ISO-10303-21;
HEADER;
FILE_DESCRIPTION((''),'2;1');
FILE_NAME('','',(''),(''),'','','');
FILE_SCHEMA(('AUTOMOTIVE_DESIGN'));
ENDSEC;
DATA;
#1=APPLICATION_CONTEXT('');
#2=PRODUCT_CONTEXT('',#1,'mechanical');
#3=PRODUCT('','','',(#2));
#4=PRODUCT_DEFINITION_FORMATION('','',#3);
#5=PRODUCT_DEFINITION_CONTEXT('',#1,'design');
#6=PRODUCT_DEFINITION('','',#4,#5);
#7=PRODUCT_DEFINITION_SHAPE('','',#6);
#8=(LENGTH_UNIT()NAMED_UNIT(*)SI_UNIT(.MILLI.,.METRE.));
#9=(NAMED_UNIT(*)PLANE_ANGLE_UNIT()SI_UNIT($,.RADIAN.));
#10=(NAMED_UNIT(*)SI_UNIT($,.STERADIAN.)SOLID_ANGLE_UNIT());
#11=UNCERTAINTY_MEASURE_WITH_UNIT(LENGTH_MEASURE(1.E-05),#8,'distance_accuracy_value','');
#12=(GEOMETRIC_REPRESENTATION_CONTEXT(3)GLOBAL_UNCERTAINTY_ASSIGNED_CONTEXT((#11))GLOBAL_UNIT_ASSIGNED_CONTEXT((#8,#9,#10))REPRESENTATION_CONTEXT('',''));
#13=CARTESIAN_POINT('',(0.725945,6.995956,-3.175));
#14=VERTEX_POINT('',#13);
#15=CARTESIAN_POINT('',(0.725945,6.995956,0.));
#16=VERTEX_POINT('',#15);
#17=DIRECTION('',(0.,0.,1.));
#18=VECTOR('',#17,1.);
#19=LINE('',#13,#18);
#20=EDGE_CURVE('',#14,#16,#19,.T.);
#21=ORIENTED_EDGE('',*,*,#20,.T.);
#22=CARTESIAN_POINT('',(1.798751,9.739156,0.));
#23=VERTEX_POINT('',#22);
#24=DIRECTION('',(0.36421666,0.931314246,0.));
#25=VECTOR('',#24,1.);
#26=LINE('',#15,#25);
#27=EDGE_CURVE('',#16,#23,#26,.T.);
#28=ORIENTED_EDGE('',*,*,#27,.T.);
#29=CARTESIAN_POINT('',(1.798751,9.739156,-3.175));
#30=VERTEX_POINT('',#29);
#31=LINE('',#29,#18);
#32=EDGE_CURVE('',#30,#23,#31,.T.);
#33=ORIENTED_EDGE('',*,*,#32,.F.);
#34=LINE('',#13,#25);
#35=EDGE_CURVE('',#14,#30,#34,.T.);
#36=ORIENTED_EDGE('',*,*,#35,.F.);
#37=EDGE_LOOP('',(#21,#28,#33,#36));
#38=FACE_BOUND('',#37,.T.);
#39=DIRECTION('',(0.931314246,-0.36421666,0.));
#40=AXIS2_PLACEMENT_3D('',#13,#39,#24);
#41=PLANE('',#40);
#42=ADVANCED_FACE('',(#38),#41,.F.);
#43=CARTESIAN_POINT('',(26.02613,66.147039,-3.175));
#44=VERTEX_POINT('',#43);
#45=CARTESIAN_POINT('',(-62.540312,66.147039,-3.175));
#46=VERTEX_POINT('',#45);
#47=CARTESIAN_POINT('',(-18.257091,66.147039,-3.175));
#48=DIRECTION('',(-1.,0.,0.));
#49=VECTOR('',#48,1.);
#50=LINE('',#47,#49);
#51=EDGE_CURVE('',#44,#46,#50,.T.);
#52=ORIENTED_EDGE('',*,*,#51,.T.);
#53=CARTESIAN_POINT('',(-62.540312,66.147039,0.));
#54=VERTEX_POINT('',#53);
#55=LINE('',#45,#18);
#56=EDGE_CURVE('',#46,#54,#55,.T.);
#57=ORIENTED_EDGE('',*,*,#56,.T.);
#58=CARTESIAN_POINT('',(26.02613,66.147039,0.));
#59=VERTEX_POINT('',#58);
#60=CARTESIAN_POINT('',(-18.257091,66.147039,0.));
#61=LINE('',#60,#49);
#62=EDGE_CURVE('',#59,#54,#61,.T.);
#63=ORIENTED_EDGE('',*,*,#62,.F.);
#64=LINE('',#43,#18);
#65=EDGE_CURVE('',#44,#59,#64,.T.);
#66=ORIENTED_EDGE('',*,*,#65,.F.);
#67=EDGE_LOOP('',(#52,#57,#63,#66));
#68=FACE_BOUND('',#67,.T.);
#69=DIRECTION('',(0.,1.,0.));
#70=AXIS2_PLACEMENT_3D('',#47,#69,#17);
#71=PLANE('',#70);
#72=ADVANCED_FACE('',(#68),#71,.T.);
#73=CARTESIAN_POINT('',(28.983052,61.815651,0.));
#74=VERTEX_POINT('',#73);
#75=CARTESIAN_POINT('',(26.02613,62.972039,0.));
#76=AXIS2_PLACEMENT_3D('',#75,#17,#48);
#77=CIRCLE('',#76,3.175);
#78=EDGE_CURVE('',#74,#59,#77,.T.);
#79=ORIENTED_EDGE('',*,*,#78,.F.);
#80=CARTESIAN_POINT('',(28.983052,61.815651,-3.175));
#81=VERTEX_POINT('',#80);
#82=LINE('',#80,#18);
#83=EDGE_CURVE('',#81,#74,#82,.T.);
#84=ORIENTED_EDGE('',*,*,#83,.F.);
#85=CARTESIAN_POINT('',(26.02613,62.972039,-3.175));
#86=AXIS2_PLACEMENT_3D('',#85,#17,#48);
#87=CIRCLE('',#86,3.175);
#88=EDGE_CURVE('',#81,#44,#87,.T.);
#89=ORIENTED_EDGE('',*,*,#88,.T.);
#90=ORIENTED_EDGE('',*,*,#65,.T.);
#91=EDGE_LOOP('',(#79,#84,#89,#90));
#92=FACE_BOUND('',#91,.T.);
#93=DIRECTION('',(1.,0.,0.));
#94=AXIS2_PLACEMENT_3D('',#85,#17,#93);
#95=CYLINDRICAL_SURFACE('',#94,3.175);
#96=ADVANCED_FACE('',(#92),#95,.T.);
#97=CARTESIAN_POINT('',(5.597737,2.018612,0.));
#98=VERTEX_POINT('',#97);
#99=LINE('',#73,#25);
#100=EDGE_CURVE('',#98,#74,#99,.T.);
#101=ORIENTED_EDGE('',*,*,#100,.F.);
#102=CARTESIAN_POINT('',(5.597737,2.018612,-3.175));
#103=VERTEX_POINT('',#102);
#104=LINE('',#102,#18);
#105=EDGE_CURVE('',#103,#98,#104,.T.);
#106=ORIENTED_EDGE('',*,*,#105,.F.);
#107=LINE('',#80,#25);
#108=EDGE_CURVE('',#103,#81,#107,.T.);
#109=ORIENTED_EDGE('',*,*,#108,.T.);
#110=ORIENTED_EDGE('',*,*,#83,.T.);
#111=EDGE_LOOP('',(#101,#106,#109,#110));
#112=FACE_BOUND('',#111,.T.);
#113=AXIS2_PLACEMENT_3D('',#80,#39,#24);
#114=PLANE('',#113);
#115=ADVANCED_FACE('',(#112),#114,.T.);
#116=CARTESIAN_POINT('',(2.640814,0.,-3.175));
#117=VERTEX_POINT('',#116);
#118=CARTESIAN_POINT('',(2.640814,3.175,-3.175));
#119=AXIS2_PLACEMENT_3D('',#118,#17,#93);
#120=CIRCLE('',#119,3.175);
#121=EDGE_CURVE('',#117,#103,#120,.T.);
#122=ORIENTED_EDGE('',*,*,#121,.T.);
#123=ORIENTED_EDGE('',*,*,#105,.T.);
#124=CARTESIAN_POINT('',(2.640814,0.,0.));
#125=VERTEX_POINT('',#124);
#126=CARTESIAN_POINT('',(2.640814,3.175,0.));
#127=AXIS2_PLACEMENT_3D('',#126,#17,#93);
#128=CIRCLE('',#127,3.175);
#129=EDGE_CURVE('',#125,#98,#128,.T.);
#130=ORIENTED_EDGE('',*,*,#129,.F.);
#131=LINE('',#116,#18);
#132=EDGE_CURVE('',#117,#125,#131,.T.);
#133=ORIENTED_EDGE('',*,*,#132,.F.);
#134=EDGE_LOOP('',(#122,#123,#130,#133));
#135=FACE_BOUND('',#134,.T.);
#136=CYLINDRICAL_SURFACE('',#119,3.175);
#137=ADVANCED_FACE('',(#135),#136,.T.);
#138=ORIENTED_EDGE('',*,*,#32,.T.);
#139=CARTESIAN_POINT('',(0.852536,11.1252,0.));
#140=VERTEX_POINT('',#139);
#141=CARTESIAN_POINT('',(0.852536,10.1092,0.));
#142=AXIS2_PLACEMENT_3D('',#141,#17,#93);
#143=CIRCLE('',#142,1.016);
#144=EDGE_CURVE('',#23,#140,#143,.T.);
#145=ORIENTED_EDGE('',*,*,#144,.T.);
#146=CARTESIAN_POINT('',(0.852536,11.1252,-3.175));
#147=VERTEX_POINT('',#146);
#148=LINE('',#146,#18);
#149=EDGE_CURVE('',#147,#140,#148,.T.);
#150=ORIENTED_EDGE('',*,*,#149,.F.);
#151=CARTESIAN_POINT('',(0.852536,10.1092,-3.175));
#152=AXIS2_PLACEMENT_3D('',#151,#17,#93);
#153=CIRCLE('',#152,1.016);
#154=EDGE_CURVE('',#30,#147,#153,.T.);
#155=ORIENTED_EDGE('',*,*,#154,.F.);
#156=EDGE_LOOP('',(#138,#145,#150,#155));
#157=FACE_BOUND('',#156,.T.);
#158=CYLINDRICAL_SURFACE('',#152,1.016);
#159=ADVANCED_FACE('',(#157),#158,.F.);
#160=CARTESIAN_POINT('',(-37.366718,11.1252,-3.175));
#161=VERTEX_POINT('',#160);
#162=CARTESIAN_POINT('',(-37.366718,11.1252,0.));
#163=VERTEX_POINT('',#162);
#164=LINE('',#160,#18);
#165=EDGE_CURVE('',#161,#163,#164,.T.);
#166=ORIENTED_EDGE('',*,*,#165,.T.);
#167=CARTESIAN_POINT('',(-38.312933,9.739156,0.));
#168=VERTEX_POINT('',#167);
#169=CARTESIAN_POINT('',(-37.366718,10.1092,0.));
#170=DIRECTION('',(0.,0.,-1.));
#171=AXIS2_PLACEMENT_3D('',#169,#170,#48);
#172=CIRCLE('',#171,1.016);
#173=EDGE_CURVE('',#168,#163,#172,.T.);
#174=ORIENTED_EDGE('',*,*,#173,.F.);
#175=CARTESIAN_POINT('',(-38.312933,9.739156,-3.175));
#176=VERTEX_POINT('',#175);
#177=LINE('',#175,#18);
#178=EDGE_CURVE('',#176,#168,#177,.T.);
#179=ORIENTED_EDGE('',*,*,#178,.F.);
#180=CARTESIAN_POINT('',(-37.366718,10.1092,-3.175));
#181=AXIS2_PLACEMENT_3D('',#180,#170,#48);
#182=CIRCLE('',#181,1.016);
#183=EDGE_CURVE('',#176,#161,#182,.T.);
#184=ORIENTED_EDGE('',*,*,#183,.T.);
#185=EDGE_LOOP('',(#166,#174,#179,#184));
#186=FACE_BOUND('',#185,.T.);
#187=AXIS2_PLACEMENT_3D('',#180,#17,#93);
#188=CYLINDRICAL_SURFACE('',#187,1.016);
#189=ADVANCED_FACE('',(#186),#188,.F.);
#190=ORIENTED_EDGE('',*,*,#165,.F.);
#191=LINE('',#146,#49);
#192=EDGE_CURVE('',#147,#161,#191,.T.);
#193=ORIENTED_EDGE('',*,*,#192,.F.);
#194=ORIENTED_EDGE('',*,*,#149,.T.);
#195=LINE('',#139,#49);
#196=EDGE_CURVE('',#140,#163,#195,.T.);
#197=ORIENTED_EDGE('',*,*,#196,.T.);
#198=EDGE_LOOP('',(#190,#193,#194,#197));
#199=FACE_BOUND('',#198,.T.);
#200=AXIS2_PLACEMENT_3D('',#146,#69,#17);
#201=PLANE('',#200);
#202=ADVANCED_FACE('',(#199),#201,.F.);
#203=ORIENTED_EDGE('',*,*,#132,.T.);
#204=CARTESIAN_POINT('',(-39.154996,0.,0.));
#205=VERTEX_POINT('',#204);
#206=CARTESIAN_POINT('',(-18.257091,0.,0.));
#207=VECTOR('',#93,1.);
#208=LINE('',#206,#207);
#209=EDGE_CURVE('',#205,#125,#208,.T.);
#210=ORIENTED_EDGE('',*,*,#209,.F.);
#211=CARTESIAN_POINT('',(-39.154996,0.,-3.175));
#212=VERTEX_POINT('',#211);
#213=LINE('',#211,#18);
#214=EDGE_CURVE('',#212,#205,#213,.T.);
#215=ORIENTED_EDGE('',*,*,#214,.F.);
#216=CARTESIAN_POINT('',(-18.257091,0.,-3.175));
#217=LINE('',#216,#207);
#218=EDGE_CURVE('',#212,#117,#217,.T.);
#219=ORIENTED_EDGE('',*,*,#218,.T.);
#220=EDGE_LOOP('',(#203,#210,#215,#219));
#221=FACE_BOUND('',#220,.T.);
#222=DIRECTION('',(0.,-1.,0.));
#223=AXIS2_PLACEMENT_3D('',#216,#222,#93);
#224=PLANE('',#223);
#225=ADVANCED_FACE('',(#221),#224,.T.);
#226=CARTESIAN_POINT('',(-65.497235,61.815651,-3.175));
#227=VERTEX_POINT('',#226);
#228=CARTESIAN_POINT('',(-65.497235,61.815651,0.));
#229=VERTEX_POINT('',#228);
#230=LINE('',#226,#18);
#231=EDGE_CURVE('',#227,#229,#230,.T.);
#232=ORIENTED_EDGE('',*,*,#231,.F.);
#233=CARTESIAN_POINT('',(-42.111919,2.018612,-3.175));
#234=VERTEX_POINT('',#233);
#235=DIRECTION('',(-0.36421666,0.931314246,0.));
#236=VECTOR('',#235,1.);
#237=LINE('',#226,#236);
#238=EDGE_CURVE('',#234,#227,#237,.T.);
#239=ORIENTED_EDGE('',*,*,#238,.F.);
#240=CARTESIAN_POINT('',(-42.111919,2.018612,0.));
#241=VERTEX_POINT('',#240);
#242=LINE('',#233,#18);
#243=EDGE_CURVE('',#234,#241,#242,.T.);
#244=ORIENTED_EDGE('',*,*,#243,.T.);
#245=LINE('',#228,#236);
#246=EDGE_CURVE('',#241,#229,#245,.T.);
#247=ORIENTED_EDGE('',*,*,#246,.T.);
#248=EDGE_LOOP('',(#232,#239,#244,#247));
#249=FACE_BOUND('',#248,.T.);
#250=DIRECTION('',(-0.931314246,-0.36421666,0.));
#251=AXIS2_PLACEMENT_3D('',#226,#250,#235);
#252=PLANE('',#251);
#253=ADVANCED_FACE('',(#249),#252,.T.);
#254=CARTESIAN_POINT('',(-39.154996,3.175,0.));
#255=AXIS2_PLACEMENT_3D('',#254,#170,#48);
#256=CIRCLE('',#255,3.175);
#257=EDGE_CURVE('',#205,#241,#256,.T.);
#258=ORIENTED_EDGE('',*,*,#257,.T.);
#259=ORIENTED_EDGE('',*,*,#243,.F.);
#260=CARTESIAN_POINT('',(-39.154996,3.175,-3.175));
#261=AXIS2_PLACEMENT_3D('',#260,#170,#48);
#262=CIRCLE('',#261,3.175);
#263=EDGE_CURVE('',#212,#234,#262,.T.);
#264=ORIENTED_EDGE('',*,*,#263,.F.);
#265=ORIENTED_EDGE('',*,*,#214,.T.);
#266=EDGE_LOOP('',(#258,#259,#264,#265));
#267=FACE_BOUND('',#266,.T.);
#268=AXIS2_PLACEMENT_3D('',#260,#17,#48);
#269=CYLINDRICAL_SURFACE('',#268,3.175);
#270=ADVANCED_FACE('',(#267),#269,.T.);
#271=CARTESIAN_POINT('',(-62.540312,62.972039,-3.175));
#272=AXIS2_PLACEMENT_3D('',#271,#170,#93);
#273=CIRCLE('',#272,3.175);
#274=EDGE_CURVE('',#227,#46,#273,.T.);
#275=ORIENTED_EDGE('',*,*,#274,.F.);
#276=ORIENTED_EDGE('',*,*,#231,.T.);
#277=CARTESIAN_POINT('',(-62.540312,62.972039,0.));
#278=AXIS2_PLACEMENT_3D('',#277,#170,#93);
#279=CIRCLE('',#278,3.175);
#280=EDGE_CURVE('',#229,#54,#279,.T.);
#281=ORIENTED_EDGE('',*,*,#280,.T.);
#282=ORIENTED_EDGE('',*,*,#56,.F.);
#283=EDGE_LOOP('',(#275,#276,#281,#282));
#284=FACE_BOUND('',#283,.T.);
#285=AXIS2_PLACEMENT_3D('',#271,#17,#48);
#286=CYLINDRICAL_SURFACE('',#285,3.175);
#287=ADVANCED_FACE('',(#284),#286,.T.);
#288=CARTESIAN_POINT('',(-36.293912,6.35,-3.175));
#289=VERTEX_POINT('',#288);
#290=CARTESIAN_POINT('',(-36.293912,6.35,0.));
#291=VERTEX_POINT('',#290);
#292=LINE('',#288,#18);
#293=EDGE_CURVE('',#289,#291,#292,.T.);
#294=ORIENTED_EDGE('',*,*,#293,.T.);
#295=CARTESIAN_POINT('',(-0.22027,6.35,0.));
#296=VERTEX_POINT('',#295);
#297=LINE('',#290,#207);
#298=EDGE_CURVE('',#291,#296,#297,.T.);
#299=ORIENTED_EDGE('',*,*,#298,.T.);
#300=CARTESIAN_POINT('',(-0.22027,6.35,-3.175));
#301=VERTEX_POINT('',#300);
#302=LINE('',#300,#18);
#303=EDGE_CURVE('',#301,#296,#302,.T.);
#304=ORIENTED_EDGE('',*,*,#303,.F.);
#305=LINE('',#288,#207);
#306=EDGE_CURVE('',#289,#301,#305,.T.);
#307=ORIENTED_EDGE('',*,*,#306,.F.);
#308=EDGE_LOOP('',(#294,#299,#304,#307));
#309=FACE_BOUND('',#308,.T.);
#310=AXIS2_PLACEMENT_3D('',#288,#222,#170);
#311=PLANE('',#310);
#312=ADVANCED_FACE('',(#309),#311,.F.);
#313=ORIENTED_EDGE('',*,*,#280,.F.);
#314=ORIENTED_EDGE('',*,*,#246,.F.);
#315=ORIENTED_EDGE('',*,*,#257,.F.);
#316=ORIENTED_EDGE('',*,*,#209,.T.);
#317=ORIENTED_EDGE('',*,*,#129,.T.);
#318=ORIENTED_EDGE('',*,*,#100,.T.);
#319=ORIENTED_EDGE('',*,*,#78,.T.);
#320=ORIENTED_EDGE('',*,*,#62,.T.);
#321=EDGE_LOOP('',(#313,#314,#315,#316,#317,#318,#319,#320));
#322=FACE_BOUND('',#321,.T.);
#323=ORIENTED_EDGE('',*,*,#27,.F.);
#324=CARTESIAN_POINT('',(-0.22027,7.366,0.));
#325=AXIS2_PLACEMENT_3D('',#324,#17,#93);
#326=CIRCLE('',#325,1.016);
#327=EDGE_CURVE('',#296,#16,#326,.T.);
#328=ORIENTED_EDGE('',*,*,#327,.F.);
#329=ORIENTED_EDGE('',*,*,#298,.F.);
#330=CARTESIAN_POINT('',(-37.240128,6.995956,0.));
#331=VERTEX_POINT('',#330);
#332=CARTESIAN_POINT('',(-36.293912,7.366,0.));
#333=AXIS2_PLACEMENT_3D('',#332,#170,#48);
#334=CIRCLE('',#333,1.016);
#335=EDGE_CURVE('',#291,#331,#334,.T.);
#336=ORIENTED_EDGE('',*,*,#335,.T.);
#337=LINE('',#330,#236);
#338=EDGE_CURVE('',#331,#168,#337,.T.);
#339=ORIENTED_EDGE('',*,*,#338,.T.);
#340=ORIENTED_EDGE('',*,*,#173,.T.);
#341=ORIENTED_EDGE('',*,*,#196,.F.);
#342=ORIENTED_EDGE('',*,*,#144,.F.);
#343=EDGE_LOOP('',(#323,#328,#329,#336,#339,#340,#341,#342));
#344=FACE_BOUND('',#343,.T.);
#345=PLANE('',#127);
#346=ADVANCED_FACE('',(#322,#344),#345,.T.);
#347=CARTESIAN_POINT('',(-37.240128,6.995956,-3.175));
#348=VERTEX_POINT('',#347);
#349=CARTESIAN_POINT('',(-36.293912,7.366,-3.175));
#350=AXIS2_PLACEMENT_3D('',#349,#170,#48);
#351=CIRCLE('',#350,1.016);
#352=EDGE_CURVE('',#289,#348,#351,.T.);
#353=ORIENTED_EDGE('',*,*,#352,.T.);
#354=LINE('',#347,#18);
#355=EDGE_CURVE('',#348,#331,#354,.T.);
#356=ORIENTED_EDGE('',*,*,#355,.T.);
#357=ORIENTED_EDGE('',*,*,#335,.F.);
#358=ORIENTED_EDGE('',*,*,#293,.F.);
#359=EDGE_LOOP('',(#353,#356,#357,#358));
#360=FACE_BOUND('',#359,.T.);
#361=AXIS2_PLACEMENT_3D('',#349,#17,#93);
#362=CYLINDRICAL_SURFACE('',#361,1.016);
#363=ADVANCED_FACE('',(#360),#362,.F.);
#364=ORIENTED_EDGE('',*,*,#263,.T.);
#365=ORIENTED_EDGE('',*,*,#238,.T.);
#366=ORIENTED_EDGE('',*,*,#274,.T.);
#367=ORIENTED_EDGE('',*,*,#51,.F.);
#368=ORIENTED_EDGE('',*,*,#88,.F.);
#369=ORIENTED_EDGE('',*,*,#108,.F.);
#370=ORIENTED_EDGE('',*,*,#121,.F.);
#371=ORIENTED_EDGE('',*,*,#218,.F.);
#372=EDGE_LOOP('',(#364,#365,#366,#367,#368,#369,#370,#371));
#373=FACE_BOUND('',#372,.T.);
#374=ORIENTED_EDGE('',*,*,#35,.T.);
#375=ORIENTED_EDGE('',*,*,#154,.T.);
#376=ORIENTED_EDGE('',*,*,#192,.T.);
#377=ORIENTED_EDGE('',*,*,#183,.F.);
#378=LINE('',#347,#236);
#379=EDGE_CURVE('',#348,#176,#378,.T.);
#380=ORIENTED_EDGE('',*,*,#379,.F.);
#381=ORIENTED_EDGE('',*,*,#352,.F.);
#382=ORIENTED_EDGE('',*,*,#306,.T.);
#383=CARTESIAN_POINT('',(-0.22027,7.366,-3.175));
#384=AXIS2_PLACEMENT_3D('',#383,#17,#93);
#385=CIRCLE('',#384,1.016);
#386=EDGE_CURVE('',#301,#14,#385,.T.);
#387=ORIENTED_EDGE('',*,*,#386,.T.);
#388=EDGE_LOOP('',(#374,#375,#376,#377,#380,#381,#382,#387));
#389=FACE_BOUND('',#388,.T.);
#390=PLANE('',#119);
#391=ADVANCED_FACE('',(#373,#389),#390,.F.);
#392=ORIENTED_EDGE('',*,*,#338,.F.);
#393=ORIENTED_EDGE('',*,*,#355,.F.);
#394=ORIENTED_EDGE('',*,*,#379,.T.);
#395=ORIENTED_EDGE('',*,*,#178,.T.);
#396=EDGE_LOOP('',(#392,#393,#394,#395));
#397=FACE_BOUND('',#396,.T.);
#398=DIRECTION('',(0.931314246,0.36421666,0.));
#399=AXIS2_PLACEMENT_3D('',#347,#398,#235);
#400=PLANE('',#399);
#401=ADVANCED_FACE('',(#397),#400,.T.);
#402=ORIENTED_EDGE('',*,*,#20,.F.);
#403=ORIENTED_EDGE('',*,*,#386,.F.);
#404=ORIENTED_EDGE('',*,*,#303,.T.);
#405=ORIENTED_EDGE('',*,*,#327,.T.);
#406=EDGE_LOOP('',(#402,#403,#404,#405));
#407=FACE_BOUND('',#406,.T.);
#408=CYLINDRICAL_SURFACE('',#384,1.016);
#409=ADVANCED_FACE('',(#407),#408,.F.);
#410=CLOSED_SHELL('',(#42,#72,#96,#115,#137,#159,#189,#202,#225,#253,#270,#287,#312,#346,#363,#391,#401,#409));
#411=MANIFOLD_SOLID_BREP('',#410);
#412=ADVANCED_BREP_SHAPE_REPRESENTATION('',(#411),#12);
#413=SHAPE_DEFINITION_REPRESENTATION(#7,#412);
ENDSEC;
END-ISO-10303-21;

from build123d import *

# Parameters (mm, degrees)
EXTRUDE1_DEPTH = 3.175
EXTRUDE2_DEPTH = 94.295303002


with BuildPart() as part:
    # Sketch1 → Extrude1 (new body)
    with BuildSketch(Plane.XY):
        with BuildLine():
            Line((-18.257091065, 0), (2.640813879, 0))
            ThreePointArc((2.640813879, 0), (4.430938656, 0.552772267), (5.59773661, 2.018612104))
            Line((5.59773661, 2.018612104), (28.983052402, 61.815650828))
            ThreePointArc((28.983052402, 61.815650828), (28.648357405, 64.762163501), (26.026129672, 66.147038724))
            Line((26.026129672, 66.147038724), (-18.257091065, 66.147038724))
            Line((-18.257091065, 66.147038724), (-18.257091065, 0))
        make_face()
    extrude(amount=-EXTRUDE1_DEPTH)

    # Mirror1: part across plane


with BuildPart() as part_1:
    add(part.part)
    add(part.part.mirror(Plane(origin=(-18.257091065, 66.147038724, -3.175), x_dir=(0, 0, 1), z_dir=(-1, 0, 0))))

    # Sketch2 → Extrude2 (cut, through all)
    with BuildSketch(Plane.XY):
        with BuildLine():
            Line((0.725945487, 6.995955873), (1.798751091, 9.739155873))
            ThreePointArc((1.798751091, 9.739155873), (1.691648692, 10.682039928), (0.852535818, 11.1252))
            Line((0.852535818, 11.1252), (-37.366717948, 11.1252))
            ThreePointArc((-37.366717948, 11.1252), (-38.205830822, 10.682039928), (-38.312933221, 9.739155873))
            Line((-38.312933221, 9.739155873), (-37.240127617, 6.995955873))
            ThreePointArc((-37.240127617, 6.995955873), (-36.866752272, 6.526887125), (-36.293912343, 6.35))
            Line((-36.293912343, 6.35), (-0.220269787, 6.35))
            ThreePointArc((-0.220269787, 6.35), (0.352570142, 6.526887125), (0.725945487, 6.995955873))
        make_face()
    extrude(amount=-EXTRUDE2_DEPTH, mode=Mode.SUBTRACT)


solid = part_1.part
